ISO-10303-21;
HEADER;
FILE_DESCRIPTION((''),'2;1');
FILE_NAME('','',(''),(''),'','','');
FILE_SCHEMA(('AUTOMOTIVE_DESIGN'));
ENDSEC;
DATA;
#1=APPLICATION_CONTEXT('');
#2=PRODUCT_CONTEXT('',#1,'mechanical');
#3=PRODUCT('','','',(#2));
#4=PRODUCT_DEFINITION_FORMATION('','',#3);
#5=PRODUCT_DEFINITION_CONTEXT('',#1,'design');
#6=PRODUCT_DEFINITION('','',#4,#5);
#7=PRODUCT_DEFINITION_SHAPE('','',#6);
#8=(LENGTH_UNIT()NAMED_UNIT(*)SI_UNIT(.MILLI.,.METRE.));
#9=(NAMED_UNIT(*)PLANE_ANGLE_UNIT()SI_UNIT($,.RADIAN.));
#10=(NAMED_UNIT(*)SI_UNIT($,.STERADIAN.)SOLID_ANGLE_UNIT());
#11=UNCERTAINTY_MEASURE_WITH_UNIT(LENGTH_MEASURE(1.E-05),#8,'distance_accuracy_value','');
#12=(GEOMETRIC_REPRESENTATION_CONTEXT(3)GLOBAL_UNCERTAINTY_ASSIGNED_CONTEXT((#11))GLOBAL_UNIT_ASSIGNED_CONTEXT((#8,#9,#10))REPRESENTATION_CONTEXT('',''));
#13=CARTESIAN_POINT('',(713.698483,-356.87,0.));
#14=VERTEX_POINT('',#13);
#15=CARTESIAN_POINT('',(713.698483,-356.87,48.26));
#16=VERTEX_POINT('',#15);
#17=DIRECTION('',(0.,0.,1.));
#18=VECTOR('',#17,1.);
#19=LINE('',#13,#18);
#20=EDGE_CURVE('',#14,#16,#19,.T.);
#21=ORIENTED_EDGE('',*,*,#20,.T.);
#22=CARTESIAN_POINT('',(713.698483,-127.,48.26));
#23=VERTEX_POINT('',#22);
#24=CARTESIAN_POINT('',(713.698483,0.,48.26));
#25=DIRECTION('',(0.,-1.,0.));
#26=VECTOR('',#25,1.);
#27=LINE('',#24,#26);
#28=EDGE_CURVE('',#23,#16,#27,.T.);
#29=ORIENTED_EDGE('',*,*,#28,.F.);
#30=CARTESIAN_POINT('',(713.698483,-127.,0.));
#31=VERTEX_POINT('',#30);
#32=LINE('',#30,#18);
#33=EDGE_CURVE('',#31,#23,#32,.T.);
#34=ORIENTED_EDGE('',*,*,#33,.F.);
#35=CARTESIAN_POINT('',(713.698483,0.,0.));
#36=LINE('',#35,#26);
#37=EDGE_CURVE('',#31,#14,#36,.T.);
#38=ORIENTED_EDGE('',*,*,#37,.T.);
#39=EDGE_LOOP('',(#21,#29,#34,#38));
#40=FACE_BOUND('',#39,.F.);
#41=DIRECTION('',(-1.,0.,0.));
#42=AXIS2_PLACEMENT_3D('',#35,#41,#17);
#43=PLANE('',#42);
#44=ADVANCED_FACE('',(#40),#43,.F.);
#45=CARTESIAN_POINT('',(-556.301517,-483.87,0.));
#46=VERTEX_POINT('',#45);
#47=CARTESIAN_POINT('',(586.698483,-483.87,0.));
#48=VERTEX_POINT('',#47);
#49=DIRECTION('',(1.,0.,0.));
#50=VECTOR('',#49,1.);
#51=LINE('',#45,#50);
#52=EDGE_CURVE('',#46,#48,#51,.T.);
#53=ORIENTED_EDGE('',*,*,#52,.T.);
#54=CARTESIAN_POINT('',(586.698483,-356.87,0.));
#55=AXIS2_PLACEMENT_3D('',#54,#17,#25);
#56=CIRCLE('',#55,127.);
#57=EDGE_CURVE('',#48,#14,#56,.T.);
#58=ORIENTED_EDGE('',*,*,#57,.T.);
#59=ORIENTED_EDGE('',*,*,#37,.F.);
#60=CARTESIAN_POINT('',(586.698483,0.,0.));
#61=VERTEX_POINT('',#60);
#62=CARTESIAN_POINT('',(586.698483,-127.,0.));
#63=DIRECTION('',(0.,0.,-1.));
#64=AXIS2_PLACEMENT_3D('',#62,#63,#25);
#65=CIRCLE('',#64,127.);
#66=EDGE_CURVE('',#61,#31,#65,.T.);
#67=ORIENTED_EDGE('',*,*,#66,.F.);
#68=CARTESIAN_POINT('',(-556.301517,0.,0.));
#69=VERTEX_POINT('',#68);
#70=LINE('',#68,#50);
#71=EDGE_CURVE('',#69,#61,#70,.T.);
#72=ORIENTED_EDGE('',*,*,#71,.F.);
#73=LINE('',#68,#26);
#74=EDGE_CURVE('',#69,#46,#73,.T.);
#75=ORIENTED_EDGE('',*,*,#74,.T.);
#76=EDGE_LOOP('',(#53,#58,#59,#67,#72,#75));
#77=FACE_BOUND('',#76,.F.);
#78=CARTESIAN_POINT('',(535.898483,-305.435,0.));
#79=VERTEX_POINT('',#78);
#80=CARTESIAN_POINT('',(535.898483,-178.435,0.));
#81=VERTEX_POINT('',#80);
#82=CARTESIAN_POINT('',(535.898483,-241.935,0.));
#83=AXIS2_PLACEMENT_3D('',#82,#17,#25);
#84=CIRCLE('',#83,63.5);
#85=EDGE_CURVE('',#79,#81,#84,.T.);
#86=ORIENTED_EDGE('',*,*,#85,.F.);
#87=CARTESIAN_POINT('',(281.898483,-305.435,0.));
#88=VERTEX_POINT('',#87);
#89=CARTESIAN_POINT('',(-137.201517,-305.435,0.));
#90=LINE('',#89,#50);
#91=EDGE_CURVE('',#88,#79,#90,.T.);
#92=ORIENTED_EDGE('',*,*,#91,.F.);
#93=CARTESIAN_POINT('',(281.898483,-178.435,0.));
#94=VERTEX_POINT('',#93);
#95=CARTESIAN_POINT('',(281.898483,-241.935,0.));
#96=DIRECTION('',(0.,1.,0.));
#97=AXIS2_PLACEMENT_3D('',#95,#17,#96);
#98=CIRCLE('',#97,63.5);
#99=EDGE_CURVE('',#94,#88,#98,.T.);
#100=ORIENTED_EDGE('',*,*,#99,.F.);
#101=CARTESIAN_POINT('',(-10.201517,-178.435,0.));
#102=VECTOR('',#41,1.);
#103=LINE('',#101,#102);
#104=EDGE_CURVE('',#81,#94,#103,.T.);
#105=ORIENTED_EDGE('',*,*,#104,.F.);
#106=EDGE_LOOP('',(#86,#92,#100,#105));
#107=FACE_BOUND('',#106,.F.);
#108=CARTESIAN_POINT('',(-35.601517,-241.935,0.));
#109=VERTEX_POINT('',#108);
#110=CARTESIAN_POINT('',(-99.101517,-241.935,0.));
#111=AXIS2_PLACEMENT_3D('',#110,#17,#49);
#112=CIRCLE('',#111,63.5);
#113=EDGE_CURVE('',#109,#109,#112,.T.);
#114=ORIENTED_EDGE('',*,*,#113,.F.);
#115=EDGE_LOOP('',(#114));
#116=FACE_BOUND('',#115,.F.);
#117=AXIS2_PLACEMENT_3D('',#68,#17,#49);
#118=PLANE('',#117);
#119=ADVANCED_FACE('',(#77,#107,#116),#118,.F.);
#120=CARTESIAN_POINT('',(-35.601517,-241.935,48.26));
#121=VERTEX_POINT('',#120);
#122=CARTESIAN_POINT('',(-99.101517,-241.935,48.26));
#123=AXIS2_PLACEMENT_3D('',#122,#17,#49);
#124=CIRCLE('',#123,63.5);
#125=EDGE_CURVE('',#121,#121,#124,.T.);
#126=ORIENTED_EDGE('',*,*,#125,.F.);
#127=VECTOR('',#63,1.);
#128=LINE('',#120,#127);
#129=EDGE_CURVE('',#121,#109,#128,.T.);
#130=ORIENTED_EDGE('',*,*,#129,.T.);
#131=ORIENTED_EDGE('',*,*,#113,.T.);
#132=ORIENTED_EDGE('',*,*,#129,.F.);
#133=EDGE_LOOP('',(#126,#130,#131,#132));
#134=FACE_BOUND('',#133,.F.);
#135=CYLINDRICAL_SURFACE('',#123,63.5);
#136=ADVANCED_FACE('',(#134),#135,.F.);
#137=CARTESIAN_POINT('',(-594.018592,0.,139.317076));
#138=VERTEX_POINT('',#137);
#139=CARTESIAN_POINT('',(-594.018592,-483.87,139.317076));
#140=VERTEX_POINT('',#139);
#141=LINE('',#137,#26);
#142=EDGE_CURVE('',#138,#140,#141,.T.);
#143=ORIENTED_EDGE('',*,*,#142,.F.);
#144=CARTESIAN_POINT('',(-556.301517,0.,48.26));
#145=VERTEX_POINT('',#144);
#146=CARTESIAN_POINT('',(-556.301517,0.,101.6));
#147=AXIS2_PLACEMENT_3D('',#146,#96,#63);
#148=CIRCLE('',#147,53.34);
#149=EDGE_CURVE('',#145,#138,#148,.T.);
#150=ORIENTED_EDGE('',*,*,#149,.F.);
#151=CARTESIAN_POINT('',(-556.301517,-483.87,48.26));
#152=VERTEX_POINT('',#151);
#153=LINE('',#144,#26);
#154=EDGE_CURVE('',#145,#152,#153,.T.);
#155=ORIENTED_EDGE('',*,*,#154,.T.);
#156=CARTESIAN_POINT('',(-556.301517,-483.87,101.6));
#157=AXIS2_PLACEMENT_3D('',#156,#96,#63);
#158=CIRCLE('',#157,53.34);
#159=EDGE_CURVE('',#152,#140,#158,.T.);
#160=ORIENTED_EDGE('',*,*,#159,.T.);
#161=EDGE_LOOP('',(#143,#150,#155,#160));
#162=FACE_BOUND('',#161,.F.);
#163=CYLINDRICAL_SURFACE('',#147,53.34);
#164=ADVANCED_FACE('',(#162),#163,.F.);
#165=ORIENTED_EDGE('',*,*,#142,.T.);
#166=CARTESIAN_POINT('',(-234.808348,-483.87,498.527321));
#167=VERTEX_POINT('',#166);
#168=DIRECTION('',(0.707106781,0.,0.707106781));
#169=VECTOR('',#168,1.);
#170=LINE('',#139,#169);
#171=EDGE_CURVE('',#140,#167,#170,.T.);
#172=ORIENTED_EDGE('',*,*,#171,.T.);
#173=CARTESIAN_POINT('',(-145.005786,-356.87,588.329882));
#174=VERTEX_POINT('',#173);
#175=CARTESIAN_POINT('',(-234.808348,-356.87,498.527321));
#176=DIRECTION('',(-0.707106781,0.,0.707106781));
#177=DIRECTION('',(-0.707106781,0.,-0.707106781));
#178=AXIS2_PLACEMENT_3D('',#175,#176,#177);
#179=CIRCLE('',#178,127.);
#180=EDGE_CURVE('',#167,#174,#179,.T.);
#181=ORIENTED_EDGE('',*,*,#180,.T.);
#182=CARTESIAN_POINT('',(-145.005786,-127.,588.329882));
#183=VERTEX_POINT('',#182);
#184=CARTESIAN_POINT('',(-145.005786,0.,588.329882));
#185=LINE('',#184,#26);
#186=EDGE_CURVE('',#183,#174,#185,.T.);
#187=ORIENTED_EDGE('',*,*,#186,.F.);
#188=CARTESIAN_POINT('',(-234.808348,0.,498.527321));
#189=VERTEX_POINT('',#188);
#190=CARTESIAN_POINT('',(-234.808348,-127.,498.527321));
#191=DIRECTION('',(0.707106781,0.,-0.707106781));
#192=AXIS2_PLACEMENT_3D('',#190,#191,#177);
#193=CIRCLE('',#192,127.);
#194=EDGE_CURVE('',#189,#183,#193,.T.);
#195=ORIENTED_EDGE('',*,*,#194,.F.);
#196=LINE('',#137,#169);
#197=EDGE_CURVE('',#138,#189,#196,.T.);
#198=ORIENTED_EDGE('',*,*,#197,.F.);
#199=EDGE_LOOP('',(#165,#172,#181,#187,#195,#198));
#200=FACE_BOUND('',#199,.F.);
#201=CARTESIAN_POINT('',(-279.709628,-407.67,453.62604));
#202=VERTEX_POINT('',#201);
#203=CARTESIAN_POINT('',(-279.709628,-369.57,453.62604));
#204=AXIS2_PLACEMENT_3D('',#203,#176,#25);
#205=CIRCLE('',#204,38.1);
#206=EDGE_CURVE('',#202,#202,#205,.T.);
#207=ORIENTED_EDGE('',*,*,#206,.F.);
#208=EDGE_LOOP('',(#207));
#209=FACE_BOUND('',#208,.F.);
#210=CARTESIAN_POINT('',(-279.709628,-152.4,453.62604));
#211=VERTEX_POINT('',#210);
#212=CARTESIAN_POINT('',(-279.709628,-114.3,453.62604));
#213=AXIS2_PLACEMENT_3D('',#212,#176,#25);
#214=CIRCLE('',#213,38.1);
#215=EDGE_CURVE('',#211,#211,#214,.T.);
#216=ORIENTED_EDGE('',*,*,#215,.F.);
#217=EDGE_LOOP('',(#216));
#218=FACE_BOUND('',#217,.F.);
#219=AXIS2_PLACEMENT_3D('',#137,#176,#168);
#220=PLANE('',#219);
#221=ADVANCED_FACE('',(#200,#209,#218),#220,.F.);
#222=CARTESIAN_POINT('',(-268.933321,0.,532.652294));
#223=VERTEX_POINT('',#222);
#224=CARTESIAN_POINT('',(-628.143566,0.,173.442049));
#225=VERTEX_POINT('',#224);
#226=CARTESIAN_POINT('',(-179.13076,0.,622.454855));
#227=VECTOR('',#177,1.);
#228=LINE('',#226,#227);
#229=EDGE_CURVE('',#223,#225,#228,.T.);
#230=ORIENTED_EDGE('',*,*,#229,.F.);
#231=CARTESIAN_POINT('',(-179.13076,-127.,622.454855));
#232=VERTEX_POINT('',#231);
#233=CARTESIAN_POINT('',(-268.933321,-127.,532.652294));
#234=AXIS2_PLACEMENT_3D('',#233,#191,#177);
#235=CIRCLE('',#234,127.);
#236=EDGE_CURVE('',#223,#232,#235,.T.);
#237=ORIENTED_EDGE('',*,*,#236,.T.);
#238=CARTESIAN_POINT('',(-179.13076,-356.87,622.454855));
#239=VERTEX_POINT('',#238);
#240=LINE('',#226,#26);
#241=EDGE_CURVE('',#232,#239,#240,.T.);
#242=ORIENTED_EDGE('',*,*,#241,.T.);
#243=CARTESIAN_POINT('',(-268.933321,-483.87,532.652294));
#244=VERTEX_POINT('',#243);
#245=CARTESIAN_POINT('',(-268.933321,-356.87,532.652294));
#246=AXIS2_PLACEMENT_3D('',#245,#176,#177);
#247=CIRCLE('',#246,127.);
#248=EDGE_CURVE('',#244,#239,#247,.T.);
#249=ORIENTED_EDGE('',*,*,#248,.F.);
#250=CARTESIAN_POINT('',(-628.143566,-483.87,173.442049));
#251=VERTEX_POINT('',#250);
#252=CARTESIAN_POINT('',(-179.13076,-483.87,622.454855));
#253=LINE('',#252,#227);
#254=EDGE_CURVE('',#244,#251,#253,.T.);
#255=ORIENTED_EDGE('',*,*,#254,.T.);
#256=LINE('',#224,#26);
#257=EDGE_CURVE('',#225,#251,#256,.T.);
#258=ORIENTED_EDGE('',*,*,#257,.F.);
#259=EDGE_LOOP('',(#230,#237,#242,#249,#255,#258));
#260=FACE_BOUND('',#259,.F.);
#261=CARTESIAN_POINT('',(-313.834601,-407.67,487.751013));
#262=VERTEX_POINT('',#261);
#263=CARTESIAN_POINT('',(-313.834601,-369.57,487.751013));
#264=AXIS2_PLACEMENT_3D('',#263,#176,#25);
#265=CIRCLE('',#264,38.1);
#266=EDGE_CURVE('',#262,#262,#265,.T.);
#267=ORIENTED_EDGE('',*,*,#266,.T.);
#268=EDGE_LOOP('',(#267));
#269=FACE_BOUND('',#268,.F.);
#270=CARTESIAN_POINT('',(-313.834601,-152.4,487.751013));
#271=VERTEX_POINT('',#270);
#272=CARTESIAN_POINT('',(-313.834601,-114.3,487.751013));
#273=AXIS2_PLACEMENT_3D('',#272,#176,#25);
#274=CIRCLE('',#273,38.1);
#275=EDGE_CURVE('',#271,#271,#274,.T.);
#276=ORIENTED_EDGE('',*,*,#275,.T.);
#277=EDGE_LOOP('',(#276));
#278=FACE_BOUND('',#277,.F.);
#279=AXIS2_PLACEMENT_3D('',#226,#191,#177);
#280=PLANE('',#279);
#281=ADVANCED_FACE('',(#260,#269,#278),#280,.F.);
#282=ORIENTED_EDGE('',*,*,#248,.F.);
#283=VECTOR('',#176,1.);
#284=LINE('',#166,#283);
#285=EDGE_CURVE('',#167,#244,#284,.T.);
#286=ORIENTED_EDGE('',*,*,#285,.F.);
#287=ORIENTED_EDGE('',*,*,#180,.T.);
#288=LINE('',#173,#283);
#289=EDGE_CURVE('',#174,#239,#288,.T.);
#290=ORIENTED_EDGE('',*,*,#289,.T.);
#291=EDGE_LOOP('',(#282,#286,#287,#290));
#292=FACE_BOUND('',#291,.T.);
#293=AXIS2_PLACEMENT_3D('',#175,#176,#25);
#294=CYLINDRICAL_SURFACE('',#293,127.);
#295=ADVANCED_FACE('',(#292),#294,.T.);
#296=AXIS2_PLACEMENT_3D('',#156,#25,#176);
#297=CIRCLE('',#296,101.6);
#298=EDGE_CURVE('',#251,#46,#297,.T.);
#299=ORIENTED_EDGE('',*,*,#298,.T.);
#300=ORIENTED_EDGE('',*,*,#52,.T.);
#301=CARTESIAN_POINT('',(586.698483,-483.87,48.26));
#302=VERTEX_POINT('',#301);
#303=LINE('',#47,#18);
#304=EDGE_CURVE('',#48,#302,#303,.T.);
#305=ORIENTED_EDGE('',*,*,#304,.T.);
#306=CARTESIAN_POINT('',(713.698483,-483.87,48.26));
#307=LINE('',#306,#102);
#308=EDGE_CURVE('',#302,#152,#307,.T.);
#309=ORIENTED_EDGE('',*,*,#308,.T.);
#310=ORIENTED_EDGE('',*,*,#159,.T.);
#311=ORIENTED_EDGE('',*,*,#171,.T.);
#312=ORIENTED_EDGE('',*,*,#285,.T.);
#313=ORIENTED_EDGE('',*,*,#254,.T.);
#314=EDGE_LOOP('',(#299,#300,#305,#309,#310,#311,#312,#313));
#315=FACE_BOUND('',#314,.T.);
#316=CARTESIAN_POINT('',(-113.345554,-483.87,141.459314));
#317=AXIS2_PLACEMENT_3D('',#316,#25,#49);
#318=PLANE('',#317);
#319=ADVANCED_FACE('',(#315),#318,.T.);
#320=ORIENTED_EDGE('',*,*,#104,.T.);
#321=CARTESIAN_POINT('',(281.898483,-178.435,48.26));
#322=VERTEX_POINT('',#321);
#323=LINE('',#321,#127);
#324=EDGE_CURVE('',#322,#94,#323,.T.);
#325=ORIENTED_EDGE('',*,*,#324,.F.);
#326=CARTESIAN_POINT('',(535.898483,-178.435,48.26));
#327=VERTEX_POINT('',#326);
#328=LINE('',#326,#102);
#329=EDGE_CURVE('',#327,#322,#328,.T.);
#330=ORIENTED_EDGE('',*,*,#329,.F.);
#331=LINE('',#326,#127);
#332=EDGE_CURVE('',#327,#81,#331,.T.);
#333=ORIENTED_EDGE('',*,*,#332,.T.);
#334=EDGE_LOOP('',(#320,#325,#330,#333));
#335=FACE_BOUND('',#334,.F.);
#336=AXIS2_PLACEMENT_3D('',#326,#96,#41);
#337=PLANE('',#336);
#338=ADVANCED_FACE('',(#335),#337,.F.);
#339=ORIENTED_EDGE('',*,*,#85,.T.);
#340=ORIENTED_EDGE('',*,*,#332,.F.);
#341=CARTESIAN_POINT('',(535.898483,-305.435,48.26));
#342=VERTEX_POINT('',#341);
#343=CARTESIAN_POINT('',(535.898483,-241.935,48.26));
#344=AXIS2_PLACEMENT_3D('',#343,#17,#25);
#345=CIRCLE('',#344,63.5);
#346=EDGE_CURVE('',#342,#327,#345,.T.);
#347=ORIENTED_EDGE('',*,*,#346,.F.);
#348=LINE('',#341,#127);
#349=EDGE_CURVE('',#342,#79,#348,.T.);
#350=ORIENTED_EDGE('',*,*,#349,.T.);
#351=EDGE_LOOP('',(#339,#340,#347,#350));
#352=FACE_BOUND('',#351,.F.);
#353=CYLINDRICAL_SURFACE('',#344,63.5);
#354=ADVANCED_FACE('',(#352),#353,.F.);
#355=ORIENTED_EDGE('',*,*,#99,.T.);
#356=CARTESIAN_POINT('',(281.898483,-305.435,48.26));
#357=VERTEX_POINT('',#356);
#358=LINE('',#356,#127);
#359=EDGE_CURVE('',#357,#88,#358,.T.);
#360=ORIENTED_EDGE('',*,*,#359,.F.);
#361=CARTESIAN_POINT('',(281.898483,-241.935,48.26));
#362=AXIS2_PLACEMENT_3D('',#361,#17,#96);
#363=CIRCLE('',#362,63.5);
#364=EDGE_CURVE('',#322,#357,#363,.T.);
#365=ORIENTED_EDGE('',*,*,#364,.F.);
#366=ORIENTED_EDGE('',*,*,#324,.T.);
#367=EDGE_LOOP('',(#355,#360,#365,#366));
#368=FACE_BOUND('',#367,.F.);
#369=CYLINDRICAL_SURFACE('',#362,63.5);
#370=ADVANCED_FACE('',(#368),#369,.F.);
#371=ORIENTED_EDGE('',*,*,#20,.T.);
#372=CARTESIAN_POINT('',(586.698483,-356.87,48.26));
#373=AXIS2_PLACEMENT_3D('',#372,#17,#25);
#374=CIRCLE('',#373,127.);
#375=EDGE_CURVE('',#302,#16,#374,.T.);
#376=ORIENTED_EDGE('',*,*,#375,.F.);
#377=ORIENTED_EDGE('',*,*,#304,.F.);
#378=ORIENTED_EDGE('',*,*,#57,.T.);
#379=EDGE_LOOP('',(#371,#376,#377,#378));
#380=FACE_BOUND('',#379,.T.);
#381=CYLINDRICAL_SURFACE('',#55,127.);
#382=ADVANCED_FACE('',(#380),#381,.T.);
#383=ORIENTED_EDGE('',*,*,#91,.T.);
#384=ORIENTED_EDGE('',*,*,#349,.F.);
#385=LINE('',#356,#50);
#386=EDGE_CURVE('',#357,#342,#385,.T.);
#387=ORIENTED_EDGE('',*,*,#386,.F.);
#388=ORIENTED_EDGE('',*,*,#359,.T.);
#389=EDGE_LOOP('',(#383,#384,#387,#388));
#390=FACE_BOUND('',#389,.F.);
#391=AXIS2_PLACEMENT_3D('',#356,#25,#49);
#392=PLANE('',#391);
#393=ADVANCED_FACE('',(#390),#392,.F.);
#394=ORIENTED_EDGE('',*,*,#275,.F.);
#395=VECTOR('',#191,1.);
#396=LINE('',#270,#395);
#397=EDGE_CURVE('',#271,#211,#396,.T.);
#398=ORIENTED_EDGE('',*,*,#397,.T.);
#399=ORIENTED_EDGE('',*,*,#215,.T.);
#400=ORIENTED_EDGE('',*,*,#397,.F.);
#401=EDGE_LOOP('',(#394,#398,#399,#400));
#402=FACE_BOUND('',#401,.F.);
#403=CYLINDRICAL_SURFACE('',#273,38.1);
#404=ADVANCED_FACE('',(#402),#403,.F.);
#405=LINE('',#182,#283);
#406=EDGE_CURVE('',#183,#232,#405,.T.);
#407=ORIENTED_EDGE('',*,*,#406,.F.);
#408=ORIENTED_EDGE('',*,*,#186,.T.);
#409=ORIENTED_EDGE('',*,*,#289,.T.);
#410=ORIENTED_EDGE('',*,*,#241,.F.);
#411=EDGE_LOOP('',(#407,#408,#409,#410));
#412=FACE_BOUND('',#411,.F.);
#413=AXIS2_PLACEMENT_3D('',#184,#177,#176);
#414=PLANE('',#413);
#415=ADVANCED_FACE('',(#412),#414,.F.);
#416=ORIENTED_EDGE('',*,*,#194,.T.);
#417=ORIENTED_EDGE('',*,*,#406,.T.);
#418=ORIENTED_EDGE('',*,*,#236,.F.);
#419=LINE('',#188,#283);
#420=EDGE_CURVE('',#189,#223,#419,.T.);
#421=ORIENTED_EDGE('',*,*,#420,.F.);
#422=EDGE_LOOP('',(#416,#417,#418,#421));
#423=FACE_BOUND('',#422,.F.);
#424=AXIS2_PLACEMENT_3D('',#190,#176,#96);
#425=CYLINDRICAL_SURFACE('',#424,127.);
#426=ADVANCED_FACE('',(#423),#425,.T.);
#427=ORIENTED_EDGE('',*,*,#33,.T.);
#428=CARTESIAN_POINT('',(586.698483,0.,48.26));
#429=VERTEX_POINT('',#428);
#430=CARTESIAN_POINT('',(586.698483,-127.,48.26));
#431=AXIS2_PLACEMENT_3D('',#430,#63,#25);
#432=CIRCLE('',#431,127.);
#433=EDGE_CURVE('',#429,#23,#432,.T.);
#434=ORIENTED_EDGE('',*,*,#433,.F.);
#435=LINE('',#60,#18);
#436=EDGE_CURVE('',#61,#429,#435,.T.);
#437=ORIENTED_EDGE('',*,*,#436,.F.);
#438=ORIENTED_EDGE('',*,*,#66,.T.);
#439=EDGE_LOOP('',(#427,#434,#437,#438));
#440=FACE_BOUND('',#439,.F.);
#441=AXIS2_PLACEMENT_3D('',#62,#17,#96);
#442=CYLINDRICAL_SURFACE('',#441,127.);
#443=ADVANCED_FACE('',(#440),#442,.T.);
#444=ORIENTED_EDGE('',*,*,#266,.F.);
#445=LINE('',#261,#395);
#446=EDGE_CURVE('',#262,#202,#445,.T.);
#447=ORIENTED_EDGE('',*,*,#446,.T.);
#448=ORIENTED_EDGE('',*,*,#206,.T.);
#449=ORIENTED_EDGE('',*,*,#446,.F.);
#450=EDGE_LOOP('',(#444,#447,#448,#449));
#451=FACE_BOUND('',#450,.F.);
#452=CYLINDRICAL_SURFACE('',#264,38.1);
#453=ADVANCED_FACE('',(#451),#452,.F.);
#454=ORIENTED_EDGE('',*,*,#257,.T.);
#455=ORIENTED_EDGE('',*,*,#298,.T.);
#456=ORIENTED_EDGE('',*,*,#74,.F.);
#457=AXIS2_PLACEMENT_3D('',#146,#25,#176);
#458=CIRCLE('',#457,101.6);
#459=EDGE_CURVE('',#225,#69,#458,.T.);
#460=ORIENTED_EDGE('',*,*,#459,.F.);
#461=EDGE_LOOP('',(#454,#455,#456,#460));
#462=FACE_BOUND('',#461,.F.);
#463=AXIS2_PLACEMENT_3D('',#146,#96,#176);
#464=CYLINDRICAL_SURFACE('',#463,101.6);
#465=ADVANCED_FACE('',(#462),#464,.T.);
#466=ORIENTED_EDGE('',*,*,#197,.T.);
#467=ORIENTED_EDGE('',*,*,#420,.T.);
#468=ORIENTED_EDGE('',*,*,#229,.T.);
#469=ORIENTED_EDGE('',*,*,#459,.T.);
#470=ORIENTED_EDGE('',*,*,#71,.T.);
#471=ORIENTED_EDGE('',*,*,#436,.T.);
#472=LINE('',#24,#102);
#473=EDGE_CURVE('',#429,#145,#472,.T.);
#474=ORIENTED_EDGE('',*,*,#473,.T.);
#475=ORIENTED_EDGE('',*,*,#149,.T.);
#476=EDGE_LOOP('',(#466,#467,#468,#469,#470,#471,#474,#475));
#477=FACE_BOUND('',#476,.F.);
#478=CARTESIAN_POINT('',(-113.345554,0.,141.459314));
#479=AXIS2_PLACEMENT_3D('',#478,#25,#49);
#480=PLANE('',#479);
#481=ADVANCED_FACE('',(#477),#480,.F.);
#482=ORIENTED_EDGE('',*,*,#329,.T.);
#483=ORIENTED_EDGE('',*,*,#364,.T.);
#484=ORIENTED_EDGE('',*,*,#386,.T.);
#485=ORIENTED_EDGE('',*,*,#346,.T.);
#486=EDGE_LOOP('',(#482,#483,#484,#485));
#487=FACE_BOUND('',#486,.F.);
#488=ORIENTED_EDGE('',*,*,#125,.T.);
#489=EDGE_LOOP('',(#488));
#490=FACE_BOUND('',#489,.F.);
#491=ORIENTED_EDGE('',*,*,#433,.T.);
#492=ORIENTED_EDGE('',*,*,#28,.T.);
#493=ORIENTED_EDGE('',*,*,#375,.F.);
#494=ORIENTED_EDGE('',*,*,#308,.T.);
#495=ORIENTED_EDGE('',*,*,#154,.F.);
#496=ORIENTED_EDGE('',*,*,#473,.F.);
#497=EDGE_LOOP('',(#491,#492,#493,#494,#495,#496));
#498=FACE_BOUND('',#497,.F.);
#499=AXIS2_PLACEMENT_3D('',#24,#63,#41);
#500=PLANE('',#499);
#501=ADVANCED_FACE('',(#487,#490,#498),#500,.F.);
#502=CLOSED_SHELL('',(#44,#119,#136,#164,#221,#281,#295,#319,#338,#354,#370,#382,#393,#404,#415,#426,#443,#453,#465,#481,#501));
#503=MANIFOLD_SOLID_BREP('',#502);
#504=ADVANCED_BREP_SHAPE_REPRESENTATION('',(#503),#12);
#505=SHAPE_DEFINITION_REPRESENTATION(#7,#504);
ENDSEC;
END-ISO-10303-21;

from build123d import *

# Parameters (mm, degrees)
F1_DEPTH = 483.87
F2_R     = 38.1
F3_DEPTH = 48.26
F4_R     = 63.5
F5_DEPTH = 48.261
F6_R     = 127


with BuildPart() as f1:
    # F0 (on Front) → F1 (new body)
    with BuildSketch(Plane.XZ):
        with BuildLine():
            Line((-556.3015167441, 0), (713.6984832559, 0))
            Line((713.6984832559, 0), (713.6984832559, 48.26))
            Line((713.6984832559, 48.26), (-556.3015167441, 48.26))
            ThreePointArc((-556.3015167441, 48.26), (-605.5812510083, 81.1876657176), (-594.0185924526, 139.3170757085))
            Line((-594.0185924526, 139.3170757085), (-145.0057863992, 588.3298817619))
            Line((-145.0057863992, 588.3298817619), (-179.1307596592, 622.454855022))
            Line((-179.1307596592, 622.454855022), (-628.1435657127, 173.4420489685))
            ThreePointArc((-628.1435657127, 173.4420489685), (-650.1676772473, 62.7193632717), (-556.3015167441, 0))
        make_face()
    extrude(amount=F1_DEPTH)

    # F2 (on face) → F3 (cut, through all)
    with BuildSketch(Plane(origin=(-400.7928073406, 0, 400.7928073406), x_dir=(0, -1, 0), z_dir=(-0.7071067812, 0, 0.7071067812))):
        with Locations((114.3, 122.9774740944)):
            Circle(F2_R)
        with Locations((369.57, 122.9774740944)):
            Circle(F2_R)
    extrude(amount=-F3_DEPTH, mode=Mode.SUBTRACT)

    # F4 (on face) → F5 (cut, through all)
    with BuildSketch(Plane.XY.offset(48.26)):
        with BuildLine():
            Line((281.8984832559, -305.435), (535.8984832559, -305.435))
            ThreePointArc((535.8984832559, -305.435), (599.3984832559, -241.935), (535.8984832559, -178.435))
            Line((535.8984832559, -178.435), (281.8984832559, -178.435))
            ThreePointArc((281.8984832559, -178.435), (218.3984832559, -241.935), (281.8984832559, -305.435))
        make_face()
        with Locations((-99.1015167441, -241.935)):
            Circle(F4_R)
    extrude(amount=-F5_DEPTH, mode=Mode.SUBTRACT)

    # F6
    f6_edges = [f1.edges().sort_by_distance(p)[0] for p in [
        (713.698483, -483.87, 24.13),
        (713.698483, 0, 24.13),
        (-162.068273, 0, 605.392368),
        (-162.068273, -483.87, 605.392368),
    ]]
    fillet(f6_edges, radius=F6_R)


solid = f1.part
